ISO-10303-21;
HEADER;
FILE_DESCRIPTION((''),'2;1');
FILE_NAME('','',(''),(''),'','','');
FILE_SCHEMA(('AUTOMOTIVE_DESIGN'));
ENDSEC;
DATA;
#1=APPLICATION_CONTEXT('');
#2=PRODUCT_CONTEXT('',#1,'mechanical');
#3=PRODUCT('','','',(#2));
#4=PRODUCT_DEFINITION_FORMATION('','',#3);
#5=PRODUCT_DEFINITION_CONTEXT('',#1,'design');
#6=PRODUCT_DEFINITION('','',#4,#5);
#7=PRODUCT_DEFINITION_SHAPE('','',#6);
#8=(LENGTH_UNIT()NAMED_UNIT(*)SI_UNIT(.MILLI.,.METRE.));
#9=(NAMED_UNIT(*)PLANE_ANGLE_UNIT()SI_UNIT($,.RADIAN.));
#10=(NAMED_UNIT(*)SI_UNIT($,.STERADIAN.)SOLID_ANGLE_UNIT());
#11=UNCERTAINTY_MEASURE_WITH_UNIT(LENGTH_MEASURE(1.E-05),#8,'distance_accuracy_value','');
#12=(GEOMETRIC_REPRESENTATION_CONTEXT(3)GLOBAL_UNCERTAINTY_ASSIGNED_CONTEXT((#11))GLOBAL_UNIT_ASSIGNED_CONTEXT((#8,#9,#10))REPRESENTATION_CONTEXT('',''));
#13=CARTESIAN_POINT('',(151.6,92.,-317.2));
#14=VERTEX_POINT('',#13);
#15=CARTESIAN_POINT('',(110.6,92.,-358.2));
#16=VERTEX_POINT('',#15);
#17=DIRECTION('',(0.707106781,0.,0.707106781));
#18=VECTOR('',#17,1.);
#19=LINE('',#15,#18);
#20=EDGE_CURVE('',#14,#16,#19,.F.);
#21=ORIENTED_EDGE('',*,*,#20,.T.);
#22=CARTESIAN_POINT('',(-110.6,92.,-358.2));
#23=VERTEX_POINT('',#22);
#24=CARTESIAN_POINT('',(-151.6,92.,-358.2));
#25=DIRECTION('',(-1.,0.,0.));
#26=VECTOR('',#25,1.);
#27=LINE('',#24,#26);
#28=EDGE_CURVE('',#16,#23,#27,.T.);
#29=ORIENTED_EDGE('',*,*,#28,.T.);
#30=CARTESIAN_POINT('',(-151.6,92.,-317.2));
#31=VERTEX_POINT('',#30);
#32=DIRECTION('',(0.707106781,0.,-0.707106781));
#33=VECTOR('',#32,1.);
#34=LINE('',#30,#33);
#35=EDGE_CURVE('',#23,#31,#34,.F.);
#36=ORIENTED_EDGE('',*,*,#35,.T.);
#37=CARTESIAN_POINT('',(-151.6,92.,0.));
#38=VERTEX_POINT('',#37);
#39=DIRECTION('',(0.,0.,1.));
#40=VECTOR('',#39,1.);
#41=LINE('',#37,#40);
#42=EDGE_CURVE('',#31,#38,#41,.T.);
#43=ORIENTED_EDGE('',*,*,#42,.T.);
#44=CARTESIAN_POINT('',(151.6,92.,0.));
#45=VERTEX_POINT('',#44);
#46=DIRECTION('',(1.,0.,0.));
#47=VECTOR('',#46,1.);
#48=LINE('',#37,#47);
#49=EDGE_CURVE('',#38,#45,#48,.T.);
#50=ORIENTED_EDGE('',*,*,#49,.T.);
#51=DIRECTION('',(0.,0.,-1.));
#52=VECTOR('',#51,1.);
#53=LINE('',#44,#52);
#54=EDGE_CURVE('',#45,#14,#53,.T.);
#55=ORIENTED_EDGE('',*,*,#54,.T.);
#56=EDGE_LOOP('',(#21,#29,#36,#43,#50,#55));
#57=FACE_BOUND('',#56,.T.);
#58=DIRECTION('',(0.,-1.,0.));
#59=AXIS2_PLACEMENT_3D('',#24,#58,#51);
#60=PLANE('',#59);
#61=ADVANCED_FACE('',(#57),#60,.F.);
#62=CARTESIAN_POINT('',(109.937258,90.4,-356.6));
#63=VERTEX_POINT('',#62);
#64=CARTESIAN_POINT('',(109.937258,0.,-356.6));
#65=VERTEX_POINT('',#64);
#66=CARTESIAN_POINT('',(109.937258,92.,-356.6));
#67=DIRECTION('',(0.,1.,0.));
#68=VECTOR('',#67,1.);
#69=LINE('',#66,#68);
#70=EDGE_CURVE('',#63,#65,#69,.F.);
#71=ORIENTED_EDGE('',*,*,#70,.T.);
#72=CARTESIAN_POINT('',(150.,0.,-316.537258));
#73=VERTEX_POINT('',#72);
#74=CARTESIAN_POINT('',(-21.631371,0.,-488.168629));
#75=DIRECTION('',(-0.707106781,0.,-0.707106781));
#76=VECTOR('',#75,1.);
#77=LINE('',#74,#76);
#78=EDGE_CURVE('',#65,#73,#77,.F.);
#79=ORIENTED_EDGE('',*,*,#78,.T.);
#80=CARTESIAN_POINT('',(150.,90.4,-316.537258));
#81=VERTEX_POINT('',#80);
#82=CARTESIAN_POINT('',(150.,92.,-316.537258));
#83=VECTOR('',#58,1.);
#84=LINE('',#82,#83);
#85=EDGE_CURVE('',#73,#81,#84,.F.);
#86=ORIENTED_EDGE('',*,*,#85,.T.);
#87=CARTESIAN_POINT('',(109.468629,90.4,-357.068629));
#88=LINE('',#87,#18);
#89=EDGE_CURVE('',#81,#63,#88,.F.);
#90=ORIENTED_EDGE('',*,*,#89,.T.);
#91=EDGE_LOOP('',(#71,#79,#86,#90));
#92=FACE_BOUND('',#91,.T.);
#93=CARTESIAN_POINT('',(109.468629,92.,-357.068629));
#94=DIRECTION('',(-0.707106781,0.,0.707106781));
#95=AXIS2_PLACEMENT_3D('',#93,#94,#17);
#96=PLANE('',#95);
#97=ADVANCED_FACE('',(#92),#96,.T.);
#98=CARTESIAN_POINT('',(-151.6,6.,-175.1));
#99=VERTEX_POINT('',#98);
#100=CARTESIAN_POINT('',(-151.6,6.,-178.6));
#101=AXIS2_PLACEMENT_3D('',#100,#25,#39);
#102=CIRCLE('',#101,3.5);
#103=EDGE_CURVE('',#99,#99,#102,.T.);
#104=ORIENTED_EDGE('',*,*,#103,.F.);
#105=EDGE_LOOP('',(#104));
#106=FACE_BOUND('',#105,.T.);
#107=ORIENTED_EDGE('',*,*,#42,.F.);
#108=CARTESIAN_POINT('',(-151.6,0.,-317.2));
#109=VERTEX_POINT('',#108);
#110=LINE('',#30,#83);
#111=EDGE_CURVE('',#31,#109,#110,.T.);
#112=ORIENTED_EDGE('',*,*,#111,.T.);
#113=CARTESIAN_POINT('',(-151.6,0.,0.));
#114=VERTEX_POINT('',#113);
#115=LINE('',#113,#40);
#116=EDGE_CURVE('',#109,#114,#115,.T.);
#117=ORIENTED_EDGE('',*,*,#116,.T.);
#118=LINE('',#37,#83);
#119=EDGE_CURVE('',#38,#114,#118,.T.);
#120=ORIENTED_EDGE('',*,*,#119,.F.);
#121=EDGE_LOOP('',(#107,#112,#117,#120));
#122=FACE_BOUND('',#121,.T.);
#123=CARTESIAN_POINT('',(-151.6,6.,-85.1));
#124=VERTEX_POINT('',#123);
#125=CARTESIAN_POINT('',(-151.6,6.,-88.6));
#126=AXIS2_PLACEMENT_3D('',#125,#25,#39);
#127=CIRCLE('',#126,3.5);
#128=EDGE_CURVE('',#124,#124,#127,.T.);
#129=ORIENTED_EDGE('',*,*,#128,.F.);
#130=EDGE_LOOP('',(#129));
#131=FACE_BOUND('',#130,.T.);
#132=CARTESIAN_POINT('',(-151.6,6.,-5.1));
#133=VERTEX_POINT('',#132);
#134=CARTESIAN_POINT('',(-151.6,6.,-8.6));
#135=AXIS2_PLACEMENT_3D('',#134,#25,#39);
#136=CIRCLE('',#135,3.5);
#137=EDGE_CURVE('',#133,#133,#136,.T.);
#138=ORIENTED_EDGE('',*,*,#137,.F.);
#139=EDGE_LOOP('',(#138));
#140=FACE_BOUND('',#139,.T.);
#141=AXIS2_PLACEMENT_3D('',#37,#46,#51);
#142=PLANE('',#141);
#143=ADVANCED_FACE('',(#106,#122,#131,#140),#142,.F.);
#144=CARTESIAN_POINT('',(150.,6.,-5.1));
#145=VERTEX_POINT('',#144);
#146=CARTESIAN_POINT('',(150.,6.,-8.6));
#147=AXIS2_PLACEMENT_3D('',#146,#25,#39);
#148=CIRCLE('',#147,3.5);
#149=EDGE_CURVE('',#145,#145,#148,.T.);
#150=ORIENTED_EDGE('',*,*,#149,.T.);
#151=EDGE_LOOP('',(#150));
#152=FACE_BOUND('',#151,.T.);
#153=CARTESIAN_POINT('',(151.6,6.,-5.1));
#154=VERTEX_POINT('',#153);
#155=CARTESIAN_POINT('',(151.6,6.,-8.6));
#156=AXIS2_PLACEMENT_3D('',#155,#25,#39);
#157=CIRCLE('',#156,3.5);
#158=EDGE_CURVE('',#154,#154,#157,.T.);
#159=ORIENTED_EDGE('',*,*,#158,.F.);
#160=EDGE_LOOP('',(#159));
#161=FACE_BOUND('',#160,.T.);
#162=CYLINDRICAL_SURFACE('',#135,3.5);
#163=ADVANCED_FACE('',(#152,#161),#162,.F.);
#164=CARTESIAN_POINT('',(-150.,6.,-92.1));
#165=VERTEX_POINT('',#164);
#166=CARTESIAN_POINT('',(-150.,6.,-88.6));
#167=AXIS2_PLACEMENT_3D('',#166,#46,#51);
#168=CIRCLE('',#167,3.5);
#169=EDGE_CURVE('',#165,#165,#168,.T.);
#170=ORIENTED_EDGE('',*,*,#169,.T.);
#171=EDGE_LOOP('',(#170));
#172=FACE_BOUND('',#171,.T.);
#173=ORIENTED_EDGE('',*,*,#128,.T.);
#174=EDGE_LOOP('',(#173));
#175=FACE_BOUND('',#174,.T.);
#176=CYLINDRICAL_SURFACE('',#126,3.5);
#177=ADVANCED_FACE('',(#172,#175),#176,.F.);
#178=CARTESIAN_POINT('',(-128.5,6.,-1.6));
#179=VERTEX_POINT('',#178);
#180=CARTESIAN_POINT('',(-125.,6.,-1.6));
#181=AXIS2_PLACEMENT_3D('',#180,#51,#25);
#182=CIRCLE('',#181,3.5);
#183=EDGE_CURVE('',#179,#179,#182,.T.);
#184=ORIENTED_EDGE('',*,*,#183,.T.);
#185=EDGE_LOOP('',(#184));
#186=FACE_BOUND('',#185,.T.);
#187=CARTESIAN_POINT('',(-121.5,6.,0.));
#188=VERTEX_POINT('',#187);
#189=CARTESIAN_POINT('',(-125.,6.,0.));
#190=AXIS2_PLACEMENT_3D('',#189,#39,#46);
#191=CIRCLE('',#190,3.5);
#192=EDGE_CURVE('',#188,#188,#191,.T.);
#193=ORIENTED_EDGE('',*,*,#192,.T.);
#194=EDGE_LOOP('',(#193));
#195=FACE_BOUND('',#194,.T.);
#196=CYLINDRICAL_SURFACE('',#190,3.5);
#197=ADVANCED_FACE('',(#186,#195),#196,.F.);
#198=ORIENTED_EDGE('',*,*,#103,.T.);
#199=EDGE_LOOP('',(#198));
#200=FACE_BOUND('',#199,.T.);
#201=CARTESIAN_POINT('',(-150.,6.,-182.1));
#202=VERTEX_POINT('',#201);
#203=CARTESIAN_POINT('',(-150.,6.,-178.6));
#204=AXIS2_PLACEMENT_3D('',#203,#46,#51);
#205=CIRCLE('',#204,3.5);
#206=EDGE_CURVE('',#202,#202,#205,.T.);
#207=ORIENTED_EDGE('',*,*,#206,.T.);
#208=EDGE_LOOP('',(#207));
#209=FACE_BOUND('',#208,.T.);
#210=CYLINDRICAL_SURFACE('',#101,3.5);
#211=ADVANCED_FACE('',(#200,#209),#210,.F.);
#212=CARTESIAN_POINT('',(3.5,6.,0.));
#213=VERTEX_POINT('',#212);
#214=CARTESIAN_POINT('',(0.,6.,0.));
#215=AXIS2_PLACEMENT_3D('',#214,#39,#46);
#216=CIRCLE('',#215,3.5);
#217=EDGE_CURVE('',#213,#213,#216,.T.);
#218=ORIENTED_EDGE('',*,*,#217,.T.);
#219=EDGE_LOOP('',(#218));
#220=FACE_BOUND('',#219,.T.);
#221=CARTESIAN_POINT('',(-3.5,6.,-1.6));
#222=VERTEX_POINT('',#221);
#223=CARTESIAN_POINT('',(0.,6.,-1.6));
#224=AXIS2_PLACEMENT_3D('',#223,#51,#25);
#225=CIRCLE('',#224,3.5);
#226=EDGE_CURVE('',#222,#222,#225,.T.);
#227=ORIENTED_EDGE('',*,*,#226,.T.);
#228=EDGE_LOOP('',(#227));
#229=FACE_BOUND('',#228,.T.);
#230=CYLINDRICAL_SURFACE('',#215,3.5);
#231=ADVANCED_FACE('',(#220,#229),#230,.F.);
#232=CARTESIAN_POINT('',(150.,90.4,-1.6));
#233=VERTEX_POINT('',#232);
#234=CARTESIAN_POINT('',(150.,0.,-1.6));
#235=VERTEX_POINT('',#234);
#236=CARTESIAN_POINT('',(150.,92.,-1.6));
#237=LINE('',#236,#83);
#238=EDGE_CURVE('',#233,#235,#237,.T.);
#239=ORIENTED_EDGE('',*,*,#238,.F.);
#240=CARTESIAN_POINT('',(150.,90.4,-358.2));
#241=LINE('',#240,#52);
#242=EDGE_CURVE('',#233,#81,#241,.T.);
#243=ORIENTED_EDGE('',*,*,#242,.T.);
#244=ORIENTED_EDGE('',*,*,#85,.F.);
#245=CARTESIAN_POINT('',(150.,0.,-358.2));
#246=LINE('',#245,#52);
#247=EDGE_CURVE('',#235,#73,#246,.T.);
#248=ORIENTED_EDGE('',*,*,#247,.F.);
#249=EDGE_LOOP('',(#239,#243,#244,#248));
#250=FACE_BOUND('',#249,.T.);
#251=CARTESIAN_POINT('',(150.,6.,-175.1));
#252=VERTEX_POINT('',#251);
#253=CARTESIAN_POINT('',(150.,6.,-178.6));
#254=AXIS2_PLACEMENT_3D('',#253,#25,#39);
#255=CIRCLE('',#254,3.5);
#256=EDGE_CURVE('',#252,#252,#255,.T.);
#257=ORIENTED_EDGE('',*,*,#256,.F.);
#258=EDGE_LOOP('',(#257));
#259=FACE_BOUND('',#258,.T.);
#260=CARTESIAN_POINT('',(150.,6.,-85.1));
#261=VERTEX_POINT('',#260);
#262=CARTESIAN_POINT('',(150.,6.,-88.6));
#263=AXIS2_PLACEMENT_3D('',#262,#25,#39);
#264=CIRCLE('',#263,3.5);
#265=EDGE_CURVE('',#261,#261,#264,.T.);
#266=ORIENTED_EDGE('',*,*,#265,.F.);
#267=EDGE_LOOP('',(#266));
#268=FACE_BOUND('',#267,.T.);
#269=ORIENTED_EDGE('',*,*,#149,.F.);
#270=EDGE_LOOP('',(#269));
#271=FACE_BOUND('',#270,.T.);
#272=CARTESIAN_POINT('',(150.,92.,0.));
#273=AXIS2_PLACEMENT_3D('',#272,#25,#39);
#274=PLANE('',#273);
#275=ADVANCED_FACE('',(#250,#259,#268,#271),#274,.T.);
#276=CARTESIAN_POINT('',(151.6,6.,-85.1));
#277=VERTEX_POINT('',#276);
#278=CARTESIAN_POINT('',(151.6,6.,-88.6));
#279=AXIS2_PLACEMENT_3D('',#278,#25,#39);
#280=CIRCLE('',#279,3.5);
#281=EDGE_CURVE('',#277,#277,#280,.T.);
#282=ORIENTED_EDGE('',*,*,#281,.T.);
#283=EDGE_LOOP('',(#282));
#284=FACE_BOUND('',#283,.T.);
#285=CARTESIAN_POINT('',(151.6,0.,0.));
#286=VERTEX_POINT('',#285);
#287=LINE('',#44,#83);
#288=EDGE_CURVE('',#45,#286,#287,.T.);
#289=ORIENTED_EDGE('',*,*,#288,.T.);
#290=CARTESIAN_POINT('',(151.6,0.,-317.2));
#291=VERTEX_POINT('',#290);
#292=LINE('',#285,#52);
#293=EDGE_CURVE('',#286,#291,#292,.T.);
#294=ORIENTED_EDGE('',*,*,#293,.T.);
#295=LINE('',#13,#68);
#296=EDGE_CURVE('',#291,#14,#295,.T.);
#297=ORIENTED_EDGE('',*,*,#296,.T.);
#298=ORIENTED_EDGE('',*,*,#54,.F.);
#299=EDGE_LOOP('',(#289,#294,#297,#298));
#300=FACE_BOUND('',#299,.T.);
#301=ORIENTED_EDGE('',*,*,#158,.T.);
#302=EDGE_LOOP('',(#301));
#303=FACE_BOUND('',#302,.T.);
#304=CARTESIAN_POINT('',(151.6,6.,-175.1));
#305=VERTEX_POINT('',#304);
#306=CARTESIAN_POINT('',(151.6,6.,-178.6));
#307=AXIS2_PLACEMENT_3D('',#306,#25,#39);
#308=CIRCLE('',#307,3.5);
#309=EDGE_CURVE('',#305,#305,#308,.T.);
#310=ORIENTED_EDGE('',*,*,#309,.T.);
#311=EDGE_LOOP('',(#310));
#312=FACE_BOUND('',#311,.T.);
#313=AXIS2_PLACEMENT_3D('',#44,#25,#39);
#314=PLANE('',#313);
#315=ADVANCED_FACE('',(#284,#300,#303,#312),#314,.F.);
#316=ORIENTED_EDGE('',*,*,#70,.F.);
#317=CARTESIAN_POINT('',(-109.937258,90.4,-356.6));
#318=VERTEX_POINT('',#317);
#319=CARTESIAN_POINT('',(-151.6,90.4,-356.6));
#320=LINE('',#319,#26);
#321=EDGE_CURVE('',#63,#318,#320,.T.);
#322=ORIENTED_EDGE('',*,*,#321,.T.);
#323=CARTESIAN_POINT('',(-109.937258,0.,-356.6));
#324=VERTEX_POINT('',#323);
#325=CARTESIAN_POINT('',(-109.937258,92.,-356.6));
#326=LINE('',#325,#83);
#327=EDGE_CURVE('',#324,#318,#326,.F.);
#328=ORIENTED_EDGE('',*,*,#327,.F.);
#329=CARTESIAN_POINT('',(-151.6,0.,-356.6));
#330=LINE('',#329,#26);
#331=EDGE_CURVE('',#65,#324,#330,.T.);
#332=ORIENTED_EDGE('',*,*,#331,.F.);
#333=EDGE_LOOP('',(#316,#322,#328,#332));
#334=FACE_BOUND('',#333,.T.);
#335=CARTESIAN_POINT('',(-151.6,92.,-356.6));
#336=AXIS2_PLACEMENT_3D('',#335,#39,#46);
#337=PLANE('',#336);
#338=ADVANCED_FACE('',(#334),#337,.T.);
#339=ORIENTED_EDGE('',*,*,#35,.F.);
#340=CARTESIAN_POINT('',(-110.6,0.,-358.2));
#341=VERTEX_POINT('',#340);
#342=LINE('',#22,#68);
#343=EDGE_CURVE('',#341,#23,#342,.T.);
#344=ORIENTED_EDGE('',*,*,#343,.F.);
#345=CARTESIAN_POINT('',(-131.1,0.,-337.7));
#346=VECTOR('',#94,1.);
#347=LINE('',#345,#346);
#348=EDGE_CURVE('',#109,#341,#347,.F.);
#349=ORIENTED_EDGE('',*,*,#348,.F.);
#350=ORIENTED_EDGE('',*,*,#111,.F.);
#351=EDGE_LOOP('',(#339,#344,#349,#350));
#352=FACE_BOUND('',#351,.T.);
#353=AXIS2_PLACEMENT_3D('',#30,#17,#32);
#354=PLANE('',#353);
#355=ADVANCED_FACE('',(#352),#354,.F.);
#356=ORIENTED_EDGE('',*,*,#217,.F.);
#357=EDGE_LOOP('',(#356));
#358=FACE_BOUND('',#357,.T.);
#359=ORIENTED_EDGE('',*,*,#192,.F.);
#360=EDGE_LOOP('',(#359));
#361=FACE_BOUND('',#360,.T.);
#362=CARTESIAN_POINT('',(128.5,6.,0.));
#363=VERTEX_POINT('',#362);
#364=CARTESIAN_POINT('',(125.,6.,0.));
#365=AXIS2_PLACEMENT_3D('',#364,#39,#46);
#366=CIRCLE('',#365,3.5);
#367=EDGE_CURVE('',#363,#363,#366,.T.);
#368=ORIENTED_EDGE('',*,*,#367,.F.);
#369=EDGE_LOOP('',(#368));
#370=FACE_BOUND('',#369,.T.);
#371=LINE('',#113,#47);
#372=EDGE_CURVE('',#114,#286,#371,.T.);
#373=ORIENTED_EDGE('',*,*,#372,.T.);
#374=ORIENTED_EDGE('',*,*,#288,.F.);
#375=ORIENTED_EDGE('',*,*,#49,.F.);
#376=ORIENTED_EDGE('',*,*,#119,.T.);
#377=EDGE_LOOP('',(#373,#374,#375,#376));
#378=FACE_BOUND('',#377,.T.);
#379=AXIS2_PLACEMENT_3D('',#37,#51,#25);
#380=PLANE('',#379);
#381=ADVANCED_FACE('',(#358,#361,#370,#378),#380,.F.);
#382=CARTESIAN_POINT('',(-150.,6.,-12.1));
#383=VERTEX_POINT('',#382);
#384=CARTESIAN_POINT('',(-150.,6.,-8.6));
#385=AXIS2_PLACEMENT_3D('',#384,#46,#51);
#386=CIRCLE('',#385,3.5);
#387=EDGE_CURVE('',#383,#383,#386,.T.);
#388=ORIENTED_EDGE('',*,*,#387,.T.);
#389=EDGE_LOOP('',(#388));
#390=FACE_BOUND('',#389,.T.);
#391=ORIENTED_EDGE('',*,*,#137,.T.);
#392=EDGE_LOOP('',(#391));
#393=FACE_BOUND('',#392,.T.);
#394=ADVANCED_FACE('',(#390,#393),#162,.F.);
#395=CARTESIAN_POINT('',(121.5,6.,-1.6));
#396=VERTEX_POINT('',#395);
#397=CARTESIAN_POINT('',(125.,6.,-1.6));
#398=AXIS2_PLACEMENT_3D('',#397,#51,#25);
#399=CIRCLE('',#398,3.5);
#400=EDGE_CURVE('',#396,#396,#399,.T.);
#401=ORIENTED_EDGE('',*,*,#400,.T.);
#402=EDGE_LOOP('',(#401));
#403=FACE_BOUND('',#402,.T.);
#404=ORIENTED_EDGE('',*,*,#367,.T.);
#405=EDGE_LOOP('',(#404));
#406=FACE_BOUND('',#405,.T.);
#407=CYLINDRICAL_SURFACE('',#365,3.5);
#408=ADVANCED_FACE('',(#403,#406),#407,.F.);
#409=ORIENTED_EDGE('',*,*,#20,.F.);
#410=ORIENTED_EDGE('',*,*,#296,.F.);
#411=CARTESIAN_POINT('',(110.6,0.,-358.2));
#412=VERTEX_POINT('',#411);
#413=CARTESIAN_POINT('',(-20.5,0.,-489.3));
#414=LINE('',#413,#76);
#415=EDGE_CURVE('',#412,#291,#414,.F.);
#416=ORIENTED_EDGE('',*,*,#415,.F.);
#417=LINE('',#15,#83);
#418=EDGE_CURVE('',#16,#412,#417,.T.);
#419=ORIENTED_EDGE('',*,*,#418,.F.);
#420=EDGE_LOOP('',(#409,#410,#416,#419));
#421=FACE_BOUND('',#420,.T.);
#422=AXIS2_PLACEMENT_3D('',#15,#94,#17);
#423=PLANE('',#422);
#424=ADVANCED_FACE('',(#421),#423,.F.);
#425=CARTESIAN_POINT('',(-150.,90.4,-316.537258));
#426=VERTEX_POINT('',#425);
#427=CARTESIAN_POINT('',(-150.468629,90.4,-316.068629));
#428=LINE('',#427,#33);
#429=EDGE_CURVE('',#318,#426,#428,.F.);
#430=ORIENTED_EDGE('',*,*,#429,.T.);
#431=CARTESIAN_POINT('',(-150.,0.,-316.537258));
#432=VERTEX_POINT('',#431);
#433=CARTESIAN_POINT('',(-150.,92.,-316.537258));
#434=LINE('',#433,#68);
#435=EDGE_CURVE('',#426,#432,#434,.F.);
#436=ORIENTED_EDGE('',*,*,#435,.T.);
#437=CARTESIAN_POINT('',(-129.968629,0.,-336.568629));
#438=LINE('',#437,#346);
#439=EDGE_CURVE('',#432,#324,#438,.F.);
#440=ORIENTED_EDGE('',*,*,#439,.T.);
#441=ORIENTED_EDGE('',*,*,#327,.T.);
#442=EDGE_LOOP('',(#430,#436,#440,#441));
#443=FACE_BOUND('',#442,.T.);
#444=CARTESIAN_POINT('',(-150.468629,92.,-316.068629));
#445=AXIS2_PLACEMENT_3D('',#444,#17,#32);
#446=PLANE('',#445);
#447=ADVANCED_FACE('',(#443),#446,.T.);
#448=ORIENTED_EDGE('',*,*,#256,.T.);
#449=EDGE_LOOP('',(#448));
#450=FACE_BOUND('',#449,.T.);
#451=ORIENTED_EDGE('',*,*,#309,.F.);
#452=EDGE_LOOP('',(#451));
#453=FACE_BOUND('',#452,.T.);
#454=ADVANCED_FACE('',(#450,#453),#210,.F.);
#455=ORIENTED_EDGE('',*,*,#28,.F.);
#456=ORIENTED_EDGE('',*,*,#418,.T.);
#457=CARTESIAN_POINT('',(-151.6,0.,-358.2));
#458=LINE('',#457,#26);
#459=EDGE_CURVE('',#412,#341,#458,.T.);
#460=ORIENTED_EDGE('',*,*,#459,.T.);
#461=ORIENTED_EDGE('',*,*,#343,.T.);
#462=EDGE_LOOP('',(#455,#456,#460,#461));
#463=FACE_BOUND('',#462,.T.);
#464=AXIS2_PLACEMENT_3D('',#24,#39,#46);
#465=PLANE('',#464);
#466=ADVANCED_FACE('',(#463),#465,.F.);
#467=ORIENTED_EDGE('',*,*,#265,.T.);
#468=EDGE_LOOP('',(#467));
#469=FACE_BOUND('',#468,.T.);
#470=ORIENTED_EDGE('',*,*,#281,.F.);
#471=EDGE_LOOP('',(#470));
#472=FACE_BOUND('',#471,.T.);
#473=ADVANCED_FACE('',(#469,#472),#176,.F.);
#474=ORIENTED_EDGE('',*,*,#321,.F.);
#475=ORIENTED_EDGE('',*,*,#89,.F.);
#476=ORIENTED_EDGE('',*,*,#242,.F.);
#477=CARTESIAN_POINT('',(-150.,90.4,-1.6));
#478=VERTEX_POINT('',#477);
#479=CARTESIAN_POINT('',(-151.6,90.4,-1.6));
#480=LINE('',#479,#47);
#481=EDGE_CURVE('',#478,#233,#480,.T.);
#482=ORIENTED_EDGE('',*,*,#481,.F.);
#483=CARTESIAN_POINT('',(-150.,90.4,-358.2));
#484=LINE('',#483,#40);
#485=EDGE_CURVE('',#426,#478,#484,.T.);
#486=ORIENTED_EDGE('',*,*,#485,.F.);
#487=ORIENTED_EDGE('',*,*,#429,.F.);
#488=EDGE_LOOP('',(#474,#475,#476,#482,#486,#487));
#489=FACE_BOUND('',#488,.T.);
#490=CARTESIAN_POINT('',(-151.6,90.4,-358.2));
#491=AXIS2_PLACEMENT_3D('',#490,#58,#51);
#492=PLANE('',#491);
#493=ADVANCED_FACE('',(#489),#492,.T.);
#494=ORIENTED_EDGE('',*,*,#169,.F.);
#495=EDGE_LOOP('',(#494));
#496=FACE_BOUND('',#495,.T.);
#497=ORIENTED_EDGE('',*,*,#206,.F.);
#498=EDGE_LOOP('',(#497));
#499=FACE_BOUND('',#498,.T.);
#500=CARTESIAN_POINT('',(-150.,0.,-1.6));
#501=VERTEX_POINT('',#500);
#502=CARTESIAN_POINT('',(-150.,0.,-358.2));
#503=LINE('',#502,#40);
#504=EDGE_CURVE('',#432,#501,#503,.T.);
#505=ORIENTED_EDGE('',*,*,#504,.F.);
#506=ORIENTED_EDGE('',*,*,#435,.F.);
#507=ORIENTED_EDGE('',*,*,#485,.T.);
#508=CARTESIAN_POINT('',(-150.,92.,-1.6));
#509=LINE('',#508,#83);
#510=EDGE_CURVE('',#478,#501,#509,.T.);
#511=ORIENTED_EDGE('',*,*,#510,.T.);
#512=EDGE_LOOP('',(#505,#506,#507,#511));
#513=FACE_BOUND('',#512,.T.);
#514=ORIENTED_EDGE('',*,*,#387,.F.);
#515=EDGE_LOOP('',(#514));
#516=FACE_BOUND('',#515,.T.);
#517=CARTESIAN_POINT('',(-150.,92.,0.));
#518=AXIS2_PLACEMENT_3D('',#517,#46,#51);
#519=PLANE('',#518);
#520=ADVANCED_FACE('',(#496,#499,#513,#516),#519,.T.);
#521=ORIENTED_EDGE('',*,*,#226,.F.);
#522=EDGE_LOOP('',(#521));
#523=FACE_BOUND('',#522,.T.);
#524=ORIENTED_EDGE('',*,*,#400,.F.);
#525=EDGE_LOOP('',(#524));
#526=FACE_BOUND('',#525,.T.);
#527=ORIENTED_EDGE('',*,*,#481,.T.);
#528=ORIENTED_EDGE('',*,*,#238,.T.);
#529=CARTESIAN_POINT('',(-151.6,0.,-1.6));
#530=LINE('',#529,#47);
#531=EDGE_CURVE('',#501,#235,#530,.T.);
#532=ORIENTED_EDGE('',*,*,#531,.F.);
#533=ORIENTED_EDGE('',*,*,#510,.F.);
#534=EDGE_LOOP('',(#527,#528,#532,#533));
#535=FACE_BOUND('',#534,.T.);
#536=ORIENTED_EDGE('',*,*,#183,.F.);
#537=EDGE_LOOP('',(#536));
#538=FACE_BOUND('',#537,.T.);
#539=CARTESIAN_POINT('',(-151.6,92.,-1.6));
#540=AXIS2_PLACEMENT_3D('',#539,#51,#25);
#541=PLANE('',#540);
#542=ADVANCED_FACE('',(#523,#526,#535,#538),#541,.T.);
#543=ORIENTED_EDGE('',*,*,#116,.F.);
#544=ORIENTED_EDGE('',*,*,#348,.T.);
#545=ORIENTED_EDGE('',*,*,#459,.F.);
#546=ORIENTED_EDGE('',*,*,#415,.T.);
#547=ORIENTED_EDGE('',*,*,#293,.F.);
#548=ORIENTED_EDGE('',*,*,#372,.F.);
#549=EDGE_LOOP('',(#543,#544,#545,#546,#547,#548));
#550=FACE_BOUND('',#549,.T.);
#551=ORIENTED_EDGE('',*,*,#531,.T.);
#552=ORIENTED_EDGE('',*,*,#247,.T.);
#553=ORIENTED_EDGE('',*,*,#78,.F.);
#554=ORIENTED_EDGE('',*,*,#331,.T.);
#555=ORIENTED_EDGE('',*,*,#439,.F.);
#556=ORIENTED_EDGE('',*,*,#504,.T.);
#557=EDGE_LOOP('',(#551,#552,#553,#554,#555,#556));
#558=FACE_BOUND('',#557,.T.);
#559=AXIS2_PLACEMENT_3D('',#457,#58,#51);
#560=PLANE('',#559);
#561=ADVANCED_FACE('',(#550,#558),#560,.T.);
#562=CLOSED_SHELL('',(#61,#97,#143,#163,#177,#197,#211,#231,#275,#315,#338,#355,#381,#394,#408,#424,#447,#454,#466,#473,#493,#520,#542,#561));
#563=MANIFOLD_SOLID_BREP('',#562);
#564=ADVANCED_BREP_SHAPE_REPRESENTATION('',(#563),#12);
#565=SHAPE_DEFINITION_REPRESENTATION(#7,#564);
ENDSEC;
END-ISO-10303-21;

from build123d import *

# Parameters (mm, degrees)
SKETCH1_W                    = 303.2
SKETCH1_H                    = 358.2
BOSS_EXTRUDE1_DEPTH          = 92
CHAMFER1_SIZE                = 41
SHELL1_T                     = -1.6
F_7_0_7_DIAMETER_HOLE1_D     = 7
F_7_0_7_DIAMETER_HOLE1_DEPTH = 1.6
F_7_0_7_DIAMETER_HOLE2_D     = 7


with BuildPart() as part:
    # Sketch1 → Boss-Extrude1 (new body)
    with BuildSketch(Plane(origin=(0, 0, 0), x_dir=(1, 0, 0), z_dir=(0, 1, 0))):
        with Locations((0, 179.1)):
            Rectangle(SKETCH1_W, SKETCH1_H)
    extrude(amount=BOSS_EXTRUDE1_DEPTH)

    # Chamfer1
    chamfer1_edges = [part.edges().sort_by_distance(p)[0] for p in [
        (-151.6, 46, -358.2),
        (151.6, 46, -358.2),
    ]]
    chamfer(chamfer1_edges, length=CHAMFER1_SIZE)

    # Shell1
    shell1_openings = [part.faces().sort_by_distance(p)[0] for p in [
        (0, 0, -176.499178778),
    ]]
    offset(amount=SHELL1_T, openings=shell1_openings, kind=Kind.INTERSECTION)

    # Ø7.0 (7) Diameter Hole1
    with Locations(Plane.XY):
        with Locations((-125, 6), (0, 6), (125, 6)):
            Hole(F_7_0_7_DIAMETER_HOLE1_D / 2, depth=F_7_0_7_DIAMETER_HOLE1_DEPTH)

    # Ø7.0 (7) Diameter Hole2 (through all)
    with Locations(Plane.ZY.offset(151.6)):
        with Locations((-8.6, 6), (-88.6, 6), (-178.6, 6)):
            Hole(F_7_0_7_DIAMETER_HOLE2_D / 2)


solid = part.part
